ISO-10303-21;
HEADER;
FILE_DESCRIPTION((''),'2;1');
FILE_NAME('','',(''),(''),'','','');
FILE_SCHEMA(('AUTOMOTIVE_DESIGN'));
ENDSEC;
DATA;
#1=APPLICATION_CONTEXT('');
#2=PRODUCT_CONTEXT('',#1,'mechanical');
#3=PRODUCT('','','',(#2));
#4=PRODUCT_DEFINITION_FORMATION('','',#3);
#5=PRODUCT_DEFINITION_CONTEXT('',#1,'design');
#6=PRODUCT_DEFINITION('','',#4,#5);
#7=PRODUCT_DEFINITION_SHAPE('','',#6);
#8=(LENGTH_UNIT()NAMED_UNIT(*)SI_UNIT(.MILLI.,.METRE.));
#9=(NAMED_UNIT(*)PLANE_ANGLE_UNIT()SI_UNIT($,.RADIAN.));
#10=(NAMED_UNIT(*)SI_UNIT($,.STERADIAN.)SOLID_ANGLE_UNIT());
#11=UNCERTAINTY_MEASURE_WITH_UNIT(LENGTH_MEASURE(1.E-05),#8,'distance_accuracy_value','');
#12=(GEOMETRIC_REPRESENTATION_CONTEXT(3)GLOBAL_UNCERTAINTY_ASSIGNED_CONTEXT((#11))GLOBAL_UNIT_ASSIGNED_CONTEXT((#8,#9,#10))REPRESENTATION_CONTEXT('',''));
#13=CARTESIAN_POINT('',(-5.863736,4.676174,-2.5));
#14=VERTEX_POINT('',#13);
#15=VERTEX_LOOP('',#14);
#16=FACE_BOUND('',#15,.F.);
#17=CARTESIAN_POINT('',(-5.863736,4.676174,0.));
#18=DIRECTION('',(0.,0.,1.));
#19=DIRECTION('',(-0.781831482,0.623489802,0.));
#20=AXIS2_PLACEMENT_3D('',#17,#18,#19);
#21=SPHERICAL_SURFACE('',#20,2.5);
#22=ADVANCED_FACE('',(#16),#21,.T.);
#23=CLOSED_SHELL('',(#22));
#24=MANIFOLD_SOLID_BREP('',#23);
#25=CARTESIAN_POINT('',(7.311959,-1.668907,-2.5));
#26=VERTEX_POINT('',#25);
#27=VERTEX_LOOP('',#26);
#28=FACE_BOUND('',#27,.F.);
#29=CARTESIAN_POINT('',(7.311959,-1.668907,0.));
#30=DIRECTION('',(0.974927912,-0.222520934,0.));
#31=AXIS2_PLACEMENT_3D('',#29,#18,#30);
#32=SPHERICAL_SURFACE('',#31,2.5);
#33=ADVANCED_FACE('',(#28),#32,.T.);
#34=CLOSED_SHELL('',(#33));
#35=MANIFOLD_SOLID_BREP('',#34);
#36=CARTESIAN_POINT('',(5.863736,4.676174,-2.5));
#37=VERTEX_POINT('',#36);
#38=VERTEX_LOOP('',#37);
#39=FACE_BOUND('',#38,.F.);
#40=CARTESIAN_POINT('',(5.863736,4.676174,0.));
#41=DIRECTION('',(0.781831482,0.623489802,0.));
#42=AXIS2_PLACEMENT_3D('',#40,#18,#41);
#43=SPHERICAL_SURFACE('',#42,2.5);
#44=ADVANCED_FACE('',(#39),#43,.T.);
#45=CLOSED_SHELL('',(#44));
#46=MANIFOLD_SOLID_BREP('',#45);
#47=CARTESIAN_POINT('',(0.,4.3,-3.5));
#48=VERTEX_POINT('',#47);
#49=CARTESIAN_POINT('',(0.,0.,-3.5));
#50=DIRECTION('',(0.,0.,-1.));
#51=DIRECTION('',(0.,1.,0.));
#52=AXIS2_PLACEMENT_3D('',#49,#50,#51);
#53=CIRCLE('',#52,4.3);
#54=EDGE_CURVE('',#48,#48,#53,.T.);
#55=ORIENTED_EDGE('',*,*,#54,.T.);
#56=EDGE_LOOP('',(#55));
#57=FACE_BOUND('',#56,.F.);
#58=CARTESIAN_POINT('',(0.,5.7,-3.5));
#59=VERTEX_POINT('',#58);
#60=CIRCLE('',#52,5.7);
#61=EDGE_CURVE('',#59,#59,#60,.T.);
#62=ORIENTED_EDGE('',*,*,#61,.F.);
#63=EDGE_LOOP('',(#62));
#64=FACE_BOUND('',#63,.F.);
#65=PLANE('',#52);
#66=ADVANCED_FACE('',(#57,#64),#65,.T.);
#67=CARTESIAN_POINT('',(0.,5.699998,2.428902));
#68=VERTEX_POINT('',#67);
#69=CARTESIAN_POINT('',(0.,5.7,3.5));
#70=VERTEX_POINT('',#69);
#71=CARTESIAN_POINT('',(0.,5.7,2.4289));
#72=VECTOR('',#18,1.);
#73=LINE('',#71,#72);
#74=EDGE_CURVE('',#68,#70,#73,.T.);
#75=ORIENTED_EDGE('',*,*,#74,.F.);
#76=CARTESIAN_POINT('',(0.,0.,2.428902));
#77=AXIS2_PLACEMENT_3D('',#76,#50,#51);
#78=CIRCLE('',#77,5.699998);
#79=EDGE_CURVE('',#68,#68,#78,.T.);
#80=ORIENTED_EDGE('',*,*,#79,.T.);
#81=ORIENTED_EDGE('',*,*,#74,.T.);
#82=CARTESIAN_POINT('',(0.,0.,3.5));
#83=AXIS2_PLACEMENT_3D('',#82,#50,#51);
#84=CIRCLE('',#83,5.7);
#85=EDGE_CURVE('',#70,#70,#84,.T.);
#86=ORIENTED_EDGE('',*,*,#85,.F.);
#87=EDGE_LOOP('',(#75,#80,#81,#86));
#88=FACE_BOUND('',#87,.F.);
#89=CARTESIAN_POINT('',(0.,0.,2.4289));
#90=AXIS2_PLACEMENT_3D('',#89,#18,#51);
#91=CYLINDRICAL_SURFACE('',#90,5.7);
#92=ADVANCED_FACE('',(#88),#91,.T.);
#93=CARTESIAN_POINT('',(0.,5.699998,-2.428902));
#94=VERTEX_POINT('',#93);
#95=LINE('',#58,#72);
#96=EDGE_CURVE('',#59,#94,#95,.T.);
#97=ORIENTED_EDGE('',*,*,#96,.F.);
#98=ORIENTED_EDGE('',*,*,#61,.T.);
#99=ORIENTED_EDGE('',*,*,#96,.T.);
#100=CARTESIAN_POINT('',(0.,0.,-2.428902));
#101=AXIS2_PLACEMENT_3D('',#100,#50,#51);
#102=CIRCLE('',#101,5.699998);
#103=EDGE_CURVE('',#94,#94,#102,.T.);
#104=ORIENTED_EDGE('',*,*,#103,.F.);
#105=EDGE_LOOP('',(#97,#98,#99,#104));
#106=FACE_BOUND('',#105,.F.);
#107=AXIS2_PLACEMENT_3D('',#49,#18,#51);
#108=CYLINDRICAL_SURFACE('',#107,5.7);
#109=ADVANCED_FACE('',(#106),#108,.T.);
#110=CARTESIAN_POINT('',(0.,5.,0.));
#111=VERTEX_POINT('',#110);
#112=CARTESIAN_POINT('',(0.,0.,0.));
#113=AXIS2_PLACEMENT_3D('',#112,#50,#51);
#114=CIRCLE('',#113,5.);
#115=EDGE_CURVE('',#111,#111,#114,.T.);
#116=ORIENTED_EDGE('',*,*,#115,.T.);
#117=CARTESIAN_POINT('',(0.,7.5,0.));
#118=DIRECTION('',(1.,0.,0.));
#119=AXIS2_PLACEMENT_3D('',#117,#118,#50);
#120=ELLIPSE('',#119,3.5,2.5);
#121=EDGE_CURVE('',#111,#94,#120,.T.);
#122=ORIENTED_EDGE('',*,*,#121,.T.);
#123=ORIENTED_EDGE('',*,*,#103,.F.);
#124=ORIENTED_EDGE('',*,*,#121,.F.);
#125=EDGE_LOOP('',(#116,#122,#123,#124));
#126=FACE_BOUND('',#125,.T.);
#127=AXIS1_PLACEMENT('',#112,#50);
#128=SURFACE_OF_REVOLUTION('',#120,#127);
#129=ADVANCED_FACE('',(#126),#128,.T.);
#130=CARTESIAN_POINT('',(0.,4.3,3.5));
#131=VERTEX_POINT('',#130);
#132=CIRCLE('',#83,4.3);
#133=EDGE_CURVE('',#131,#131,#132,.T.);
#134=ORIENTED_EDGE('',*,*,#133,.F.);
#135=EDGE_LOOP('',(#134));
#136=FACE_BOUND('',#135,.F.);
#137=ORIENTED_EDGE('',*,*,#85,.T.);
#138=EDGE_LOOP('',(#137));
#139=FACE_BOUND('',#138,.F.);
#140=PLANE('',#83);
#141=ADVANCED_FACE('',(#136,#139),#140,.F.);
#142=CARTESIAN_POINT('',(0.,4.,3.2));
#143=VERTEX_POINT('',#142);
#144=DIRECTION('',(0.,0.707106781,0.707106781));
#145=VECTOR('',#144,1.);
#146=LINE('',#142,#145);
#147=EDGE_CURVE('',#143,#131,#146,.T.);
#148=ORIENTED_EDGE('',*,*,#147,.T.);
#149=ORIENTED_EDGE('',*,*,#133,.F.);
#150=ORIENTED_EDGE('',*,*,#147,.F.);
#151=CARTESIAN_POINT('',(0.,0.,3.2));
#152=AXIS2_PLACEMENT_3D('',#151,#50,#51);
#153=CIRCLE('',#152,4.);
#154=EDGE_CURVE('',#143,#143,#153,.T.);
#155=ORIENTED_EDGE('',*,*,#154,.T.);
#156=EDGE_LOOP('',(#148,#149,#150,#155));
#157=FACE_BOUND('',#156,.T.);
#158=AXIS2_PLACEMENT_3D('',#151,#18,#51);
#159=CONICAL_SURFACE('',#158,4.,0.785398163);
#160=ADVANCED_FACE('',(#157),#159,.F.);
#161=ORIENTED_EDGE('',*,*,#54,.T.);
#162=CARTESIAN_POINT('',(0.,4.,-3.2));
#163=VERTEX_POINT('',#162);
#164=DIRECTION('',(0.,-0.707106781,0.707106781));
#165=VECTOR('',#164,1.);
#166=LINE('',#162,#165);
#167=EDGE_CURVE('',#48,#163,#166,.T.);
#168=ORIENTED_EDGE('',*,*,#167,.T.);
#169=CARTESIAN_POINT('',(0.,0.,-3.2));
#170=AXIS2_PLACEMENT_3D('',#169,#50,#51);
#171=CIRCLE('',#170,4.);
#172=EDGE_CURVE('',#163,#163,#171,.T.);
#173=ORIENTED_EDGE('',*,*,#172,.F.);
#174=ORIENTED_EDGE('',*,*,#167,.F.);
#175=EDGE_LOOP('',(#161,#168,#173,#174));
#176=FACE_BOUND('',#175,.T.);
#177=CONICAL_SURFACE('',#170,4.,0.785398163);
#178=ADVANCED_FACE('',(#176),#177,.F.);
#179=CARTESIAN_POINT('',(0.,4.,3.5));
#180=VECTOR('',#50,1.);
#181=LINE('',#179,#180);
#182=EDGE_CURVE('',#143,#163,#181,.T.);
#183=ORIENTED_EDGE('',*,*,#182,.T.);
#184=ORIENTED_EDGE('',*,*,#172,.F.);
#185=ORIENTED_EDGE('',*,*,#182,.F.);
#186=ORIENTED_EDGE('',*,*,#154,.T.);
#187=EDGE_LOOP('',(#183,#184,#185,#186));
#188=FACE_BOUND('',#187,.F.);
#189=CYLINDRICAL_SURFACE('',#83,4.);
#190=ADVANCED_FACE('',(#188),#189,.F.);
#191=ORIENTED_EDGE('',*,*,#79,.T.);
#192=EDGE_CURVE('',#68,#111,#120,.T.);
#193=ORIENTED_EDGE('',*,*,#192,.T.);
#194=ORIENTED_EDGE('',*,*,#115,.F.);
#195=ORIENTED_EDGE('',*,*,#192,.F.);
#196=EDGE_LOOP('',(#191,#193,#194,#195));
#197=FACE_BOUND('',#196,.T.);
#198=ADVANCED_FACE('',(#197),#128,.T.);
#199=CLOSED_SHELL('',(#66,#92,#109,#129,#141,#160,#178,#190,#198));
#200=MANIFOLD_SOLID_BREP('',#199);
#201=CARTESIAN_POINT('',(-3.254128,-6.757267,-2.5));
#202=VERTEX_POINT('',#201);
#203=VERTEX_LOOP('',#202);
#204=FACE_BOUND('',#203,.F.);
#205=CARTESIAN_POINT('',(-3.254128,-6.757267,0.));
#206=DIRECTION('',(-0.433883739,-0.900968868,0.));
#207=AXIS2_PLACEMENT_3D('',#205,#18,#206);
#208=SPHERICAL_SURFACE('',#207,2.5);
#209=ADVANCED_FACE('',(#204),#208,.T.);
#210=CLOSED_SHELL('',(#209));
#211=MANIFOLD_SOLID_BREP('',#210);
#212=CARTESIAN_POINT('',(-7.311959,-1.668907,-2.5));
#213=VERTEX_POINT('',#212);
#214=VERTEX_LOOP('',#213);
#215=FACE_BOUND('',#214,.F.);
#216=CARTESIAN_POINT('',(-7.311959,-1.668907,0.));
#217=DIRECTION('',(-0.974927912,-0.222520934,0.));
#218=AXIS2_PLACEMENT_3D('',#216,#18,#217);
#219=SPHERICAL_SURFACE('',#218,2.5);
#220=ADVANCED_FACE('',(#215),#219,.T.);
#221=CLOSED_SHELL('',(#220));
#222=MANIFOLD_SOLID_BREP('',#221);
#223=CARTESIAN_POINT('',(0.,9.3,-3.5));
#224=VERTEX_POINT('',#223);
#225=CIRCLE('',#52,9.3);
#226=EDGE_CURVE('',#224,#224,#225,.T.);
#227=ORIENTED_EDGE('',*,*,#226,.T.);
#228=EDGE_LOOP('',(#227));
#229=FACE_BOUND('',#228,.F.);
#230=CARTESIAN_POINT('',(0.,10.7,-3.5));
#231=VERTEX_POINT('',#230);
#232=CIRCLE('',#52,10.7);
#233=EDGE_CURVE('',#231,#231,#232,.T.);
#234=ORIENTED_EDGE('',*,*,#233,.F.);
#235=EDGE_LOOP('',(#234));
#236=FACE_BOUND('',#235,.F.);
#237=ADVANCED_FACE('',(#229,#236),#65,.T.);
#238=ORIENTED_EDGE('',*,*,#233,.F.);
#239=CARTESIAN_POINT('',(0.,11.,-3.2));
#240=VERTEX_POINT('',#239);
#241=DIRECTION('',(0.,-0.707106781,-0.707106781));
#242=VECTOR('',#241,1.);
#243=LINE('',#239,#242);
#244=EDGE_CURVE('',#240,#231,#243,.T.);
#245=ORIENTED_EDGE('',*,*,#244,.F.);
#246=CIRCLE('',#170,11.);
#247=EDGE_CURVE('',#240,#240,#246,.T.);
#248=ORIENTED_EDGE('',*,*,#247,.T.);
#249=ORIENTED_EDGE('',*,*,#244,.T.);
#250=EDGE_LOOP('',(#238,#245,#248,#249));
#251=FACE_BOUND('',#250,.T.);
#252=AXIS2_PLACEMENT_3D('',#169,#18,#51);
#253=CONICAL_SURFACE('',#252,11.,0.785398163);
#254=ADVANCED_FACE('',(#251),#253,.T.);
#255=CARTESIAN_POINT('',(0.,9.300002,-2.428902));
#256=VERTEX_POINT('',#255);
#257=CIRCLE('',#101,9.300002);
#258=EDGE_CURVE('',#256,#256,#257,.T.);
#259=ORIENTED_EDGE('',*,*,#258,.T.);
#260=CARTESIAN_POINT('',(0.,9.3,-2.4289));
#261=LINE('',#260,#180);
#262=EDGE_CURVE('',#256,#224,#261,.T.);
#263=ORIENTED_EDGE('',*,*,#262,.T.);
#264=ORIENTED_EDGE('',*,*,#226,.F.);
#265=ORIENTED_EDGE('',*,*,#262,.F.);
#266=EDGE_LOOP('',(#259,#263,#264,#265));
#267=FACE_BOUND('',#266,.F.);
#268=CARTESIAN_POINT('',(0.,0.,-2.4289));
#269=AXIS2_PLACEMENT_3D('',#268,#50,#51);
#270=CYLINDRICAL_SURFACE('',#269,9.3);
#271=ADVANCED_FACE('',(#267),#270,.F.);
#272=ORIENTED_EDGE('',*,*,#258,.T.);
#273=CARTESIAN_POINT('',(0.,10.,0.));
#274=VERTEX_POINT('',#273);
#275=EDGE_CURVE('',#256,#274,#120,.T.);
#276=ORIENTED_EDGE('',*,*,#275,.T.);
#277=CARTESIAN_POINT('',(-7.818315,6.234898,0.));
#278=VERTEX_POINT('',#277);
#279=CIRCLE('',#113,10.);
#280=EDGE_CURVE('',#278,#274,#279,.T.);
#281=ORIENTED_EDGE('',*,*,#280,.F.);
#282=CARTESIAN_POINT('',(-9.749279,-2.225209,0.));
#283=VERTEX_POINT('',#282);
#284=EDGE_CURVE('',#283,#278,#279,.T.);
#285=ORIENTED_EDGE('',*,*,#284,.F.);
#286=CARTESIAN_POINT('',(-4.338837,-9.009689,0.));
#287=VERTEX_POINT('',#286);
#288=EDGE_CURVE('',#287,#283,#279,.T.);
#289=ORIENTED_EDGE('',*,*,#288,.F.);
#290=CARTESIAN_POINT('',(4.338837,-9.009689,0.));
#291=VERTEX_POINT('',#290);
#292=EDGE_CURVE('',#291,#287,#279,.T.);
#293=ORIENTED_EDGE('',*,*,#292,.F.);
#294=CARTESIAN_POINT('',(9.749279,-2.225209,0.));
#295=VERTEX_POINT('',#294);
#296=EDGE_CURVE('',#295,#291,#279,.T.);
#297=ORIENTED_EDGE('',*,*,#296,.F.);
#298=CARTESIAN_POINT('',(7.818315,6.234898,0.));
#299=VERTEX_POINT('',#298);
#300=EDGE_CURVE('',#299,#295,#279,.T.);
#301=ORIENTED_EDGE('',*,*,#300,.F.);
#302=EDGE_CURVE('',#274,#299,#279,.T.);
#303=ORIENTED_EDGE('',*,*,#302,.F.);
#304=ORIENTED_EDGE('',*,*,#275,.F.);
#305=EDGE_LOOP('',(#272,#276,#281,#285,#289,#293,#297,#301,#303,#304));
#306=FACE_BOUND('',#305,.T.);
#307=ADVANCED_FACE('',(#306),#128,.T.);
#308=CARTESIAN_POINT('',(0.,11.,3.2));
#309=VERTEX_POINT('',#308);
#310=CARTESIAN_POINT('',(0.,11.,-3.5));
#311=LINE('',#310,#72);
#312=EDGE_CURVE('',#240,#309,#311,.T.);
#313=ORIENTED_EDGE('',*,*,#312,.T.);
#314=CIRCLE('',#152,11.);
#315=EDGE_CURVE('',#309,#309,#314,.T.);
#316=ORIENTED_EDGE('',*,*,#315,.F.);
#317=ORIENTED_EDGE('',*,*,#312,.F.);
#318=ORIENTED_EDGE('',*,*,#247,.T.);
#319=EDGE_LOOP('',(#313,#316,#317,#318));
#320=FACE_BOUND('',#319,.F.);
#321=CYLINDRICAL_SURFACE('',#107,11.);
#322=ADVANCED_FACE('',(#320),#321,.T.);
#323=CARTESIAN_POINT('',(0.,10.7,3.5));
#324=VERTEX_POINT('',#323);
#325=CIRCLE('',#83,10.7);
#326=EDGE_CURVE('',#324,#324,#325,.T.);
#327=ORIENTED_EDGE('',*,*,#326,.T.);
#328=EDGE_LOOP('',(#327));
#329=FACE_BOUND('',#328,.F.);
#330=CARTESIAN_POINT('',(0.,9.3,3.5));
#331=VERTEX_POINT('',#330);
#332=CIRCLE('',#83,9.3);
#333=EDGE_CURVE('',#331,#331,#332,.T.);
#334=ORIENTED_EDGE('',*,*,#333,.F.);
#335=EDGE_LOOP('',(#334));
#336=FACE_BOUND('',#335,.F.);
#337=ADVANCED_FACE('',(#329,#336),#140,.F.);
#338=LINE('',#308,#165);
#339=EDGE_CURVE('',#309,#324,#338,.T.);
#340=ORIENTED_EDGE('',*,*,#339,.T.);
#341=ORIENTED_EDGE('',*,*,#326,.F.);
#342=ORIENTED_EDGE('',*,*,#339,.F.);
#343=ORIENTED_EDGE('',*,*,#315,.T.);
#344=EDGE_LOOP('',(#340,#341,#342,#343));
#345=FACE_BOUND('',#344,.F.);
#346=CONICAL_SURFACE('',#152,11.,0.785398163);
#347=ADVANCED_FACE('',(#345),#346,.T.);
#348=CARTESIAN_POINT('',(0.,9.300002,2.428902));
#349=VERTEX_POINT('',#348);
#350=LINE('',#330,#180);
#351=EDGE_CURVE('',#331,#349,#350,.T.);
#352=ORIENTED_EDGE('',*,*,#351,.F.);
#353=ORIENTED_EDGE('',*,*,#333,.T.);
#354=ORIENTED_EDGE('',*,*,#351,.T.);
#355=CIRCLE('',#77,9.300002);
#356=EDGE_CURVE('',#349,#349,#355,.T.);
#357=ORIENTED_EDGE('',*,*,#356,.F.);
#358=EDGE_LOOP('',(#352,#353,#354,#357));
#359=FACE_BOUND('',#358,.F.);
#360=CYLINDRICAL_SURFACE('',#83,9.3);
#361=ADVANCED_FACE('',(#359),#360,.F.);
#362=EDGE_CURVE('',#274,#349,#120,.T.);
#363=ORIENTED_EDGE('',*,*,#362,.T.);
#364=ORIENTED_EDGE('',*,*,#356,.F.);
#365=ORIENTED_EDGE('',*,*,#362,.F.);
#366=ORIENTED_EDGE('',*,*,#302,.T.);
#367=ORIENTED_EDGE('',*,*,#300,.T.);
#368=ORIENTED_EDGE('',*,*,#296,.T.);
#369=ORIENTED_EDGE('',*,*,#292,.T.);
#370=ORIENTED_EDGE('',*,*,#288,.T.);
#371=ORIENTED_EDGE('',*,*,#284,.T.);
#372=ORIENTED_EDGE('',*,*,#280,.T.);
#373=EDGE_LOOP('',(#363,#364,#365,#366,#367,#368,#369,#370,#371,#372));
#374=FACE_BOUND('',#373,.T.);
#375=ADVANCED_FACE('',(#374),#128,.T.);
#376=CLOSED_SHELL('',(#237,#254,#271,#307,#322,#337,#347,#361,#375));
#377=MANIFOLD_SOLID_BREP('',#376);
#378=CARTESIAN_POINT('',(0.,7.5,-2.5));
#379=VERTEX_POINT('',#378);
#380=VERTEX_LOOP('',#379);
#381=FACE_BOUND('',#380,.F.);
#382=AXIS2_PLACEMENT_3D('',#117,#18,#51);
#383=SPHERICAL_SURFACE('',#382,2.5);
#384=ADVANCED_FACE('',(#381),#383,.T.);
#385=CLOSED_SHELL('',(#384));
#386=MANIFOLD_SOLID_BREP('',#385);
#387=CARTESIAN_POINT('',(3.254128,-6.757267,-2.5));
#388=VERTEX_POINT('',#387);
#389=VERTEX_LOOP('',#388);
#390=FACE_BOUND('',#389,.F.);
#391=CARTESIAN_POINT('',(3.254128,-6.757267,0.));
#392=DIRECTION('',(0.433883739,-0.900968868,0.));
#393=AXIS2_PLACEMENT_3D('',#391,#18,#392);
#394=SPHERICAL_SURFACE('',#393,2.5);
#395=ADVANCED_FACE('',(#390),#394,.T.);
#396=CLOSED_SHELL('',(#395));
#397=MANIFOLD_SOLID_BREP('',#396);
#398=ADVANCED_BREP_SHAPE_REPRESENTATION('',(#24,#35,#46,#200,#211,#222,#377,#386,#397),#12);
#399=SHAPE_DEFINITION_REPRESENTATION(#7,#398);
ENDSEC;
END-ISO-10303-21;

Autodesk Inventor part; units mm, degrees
ref_plane "YZ Plane" through (0, 0, 0) normal (1, 0, 0) x (0, 1, 0)
ref_plane "XZ Plane" through (0, 0, 0) normal (0, 1, 0) x (-1, 0, 0)
ref_plane "XY Plane" through (0, 0, 0) normal (0, 0, 1) x (1, 0, 0)
sketch "Sketch2" plane through (0, 0, 0) normal (1, 0, 0) x (0, 1, 0)
  line L0 (0, 4.9) -> (0, -4.9) projected
  line L1 (11, 3.5) -> (9.3, 3.5)
  line L2 (9.3, -3.5) -> (11, -3.5)
  line L3 (11, -3.5) -> (11, 3.5)
  line L4 (5.7, 3.5) -> (4, 3.5)
  line L5 (4, 3.5) -> (4, -3.5)
  line L6 (4, -3.5) -> (5.7, -3.5)
  line L7 (-2.2, 0) -> (13.2, 0) projected
  line L8 (9.3, 3.5) -> (9.3, 2.4289)
  line L9 (9.3, -2.4289) -> (9.3, -3.5)
  line L10 (5.7, -3.5) -> (5.7, -2.4289)
  line L11 (5.7, 2.4289) -> (5.7, 3.5)
  ellipse E0 centre (7.5, 0) end of major axis (7.5, -3.5) minor radius 2.5 (9.3, -2.4289) -> (9.3, 2.4289) ccw
  ellipse E1 centre (7.5, 0) end of major axis (7.5, -3.5) minor radius 2.5 (5.7, 2.4289) -> (5.7, -2.4289) ccw
  point P0 (0, 0)
  point P1 (9.3, 2.0819)
  point P2 (5.7, 2.0819)
  dimension "d7" = 4
  dimension "d8" = 11
  dimension "d9" = 7
  dimension "d18" = 1.7
  dimension "d19" = 1.7
  dimension "d24" = 1.7
  dimension "d25" = 1.7
revolve "Revolution1" add sketch "Sketch2" angle 360 about axis through (0, 0, 0) along (0, 0, -1)
chamfer "Chamfer2" distance 0.3 angle 45 4 edges at (0, -11, 3.5) (0, -11, -3.5) (0, -4, 3.5) (0, -4, -3.5)
sketch "Sketch3" plane through (0, 0, 0) normal (1, 0, 0) x (0, 1, 0)
  line L0 (-15.4, 0) -> (15.4, 0) projected
  arc A0 (7.5, -2.5) -> (7.5, 2.5) centre (7.5, 0) ccw
  line L1 (-9.3, -2.4289) -> (9.3, -2.4289) projected
  line L2 (7.5, 2.5) -> (7.5, -2.5)
  point P0 (0, 0)
  dimension "d29" = 7.5
  dimension "d30" = 5
revolve "Revolution2" add sketch "Sketch3" angle 360 about axis through (0, 7.5, 2.5) along (0, 0, -1)
pattern_circular "Circular Pattern1" count 7 over 360 about axis through (0, 0, -10) along (0, 0, 1) of "Revolution2"
properties part number "bearing" material "Stainless Steel AISI 304"
